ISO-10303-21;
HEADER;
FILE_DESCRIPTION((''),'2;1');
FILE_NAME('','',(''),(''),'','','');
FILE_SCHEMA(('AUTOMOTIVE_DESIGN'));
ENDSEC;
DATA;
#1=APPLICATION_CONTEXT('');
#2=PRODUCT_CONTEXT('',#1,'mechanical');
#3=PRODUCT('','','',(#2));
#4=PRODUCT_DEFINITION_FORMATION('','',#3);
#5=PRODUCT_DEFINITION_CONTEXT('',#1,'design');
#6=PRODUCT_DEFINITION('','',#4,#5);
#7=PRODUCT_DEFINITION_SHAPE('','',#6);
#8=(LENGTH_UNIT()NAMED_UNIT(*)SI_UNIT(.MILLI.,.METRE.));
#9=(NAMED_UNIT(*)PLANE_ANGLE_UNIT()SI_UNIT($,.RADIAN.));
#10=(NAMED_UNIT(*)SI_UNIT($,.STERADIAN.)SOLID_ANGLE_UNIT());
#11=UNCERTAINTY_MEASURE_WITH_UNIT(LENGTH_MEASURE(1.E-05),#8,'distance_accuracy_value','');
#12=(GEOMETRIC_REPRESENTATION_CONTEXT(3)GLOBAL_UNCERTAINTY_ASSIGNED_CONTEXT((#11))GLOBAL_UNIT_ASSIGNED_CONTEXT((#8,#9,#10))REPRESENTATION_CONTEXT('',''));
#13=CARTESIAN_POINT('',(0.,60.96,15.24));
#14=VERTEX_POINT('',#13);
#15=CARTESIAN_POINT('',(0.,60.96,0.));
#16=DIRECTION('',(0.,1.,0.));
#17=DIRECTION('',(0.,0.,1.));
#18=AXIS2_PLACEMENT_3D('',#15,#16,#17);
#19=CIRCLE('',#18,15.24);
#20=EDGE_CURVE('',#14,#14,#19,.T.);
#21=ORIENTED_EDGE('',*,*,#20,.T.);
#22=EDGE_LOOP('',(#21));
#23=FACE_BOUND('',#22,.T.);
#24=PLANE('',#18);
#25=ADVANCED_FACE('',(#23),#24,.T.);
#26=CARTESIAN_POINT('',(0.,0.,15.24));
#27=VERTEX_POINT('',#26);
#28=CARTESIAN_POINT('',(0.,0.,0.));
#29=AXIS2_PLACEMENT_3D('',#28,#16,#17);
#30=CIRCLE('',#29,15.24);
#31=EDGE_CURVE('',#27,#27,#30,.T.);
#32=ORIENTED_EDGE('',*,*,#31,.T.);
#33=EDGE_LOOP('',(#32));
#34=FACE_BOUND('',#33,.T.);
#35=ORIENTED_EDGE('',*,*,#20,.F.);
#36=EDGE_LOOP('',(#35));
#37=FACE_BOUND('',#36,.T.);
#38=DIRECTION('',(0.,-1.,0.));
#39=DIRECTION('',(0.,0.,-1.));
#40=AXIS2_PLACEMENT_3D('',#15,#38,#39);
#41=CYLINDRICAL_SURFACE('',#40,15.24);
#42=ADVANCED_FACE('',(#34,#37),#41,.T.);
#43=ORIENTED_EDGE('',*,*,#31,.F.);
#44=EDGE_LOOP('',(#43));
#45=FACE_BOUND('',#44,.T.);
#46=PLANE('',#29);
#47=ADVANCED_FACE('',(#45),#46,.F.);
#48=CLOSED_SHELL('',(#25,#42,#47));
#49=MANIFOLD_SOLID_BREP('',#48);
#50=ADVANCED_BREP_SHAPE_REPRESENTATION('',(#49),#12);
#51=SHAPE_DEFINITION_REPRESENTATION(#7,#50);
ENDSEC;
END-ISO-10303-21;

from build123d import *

# Parameters (mm, degrees)
SKETCH1_R           = 15.24
BOSS_EXTRUDE1_DEPTH = 60.96


with BuildPart() as part:
    # Sketch1 → Boss-Extrude1 (new body)
    with BuildSketch(Plane(origin=(0, 0, 0), x_dir=(1, 0, 0), z_dir=(0, 1, 0))):
        Circle(SKETCH1_R)
    extrude(amount=BOSS_EXTRUDE1_DEPTH)


solid = part.part
